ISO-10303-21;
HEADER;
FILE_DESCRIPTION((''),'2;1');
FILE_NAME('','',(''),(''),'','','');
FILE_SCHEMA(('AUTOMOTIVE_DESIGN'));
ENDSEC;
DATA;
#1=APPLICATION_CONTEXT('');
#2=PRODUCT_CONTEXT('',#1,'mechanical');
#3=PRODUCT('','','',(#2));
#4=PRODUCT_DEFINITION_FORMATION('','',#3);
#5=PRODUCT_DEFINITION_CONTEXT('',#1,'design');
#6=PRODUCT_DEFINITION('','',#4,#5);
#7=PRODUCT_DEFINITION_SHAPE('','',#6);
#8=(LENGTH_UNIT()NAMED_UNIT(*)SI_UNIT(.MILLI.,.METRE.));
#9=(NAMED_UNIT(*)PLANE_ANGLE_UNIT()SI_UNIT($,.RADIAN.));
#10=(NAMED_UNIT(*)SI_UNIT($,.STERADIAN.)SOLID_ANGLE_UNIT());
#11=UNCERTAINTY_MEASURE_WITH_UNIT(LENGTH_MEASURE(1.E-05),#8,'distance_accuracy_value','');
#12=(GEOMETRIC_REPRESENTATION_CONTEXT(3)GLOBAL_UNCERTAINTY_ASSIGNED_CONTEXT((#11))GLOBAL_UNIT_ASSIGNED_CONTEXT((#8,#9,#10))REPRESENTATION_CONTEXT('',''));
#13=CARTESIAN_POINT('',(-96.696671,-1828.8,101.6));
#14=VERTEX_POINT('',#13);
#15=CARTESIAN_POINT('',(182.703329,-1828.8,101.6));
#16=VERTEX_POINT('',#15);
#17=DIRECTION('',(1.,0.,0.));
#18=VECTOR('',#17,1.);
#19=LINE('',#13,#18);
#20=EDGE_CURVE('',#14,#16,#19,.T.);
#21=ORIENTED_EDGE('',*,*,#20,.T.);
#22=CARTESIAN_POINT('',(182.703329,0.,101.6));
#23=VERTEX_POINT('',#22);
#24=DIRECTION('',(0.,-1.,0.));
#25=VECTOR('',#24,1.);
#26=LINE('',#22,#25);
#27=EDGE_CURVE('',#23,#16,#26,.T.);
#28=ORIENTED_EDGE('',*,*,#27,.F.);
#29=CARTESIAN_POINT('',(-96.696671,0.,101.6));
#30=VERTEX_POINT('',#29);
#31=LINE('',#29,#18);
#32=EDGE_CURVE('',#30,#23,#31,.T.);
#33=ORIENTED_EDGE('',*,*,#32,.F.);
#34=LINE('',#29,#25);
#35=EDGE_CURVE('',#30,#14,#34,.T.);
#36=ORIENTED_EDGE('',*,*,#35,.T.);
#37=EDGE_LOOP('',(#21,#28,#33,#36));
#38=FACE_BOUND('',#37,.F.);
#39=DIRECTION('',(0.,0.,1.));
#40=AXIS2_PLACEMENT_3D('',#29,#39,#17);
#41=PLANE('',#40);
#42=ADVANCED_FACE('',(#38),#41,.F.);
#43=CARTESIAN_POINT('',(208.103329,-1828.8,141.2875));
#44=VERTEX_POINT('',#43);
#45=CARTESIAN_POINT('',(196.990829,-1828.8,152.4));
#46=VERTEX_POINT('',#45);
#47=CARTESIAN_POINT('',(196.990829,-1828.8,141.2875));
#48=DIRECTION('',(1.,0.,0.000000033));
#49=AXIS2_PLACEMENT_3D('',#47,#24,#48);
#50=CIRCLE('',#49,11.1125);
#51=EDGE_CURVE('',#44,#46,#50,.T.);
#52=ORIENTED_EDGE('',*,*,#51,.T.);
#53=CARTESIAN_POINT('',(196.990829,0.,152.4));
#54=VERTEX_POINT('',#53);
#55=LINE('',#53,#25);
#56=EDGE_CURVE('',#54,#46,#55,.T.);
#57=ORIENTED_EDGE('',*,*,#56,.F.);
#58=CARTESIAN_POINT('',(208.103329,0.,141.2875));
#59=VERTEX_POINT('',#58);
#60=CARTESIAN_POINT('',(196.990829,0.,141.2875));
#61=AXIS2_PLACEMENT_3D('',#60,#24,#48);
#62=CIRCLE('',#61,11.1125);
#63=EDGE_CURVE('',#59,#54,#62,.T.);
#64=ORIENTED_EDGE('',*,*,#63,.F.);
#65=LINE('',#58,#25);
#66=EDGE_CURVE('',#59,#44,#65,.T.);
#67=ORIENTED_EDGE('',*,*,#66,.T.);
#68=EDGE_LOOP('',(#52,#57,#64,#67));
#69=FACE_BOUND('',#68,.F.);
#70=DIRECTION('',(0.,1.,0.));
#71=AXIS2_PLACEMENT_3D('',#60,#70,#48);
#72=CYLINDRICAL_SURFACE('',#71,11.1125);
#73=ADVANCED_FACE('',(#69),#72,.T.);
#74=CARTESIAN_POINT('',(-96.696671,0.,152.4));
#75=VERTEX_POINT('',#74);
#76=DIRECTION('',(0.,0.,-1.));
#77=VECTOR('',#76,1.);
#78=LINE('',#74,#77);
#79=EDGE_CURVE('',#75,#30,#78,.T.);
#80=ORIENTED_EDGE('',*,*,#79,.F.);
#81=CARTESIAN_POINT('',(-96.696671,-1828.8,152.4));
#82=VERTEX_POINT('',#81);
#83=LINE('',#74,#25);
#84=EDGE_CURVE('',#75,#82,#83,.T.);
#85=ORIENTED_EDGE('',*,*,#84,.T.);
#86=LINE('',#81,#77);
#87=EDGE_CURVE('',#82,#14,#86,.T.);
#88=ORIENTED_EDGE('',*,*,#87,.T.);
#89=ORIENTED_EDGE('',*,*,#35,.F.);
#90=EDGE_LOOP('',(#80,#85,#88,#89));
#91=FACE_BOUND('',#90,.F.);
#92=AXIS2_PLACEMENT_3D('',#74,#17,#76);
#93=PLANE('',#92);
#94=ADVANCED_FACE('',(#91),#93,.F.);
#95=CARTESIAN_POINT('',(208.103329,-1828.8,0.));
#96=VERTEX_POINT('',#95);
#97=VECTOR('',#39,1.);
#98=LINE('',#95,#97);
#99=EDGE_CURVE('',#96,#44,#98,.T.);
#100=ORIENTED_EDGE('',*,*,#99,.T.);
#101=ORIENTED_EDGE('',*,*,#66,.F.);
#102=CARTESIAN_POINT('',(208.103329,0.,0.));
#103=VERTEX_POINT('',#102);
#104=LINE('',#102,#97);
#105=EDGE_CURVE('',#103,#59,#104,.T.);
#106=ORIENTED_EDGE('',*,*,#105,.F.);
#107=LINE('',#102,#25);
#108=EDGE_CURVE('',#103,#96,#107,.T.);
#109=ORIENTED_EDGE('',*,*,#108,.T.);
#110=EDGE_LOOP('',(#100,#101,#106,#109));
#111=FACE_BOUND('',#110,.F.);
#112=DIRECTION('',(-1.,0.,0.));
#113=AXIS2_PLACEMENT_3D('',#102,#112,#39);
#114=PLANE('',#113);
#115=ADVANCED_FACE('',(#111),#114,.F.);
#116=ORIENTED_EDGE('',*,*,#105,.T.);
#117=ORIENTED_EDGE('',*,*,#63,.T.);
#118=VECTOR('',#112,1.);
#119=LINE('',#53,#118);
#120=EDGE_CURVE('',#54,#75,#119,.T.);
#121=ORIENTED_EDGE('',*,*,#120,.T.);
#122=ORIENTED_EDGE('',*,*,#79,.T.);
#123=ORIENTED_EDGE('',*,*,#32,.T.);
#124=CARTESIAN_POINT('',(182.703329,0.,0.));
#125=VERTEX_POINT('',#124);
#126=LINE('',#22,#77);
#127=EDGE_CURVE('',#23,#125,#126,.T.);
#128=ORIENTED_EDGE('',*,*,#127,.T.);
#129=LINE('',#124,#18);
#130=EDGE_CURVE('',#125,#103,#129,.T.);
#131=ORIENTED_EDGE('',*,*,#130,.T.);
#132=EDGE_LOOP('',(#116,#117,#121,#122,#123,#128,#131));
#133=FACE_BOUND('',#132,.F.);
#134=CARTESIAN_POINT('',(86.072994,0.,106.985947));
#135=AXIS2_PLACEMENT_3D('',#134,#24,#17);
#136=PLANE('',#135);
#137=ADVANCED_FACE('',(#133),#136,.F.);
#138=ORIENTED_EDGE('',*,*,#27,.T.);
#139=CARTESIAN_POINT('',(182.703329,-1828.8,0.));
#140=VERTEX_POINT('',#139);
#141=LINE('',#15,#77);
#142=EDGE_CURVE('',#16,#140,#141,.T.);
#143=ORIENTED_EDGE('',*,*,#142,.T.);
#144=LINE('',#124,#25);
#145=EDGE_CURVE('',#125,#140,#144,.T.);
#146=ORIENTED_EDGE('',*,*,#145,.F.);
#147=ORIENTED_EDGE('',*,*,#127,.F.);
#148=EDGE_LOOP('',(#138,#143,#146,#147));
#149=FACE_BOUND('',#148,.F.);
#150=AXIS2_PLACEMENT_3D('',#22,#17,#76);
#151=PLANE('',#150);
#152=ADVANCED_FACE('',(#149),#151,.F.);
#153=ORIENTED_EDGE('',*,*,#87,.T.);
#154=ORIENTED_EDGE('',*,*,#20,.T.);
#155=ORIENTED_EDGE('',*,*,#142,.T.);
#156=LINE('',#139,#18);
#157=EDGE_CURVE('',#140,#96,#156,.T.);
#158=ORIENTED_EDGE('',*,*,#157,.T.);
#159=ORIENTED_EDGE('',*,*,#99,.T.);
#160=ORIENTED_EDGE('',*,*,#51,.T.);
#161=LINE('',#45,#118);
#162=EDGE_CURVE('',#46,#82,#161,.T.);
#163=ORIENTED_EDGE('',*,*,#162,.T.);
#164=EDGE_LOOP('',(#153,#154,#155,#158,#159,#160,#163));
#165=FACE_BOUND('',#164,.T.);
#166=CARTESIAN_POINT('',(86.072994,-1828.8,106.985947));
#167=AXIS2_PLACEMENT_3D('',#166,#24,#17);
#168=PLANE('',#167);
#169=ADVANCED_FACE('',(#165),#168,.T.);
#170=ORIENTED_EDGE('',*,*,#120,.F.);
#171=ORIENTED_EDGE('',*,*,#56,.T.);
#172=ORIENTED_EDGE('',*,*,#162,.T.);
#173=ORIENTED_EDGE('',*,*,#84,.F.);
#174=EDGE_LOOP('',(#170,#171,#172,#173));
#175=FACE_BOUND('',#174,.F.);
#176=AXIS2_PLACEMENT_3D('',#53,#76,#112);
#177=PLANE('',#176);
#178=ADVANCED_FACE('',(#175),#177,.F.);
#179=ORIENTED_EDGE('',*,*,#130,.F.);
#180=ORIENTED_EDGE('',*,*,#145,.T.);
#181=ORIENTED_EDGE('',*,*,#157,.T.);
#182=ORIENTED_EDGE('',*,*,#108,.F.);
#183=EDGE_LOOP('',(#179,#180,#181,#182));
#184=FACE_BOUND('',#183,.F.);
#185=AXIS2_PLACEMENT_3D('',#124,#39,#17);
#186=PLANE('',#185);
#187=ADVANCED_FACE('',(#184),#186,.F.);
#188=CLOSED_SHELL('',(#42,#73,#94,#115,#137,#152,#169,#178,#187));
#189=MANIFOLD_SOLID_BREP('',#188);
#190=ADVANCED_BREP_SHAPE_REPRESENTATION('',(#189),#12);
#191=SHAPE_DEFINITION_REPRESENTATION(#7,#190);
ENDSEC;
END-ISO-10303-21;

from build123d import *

# Parameters (mm, degrees)
F1_DEPTH = 1828.8


with BuildPart() as f1:
    # F0 (on Front) → F1 (new body)
    with BuildSketch(Plane.XZ):
        with BuildLine():
            Line((196.990829, 152.4), (-96.696671, 152.4))
            Line((-96.696671, 152.4), (-96.696671, 101.6))
            Line((-96.696671, 101.6), (182.703329, 101.6))
            Line((182.703329, 101.6), (182.703329, 0))
            Line((182.703329, 0), (208.103329, 0))
            Line((208.103329, 0), (208.103329, 141.2875))
            ThreePointArc((208.103329, 141.2875), (204.848553, 149.145224), (196.990829, 152.4))
        make_face()
    extrude(amount=F1_DEPTH)


solid = f1.part
